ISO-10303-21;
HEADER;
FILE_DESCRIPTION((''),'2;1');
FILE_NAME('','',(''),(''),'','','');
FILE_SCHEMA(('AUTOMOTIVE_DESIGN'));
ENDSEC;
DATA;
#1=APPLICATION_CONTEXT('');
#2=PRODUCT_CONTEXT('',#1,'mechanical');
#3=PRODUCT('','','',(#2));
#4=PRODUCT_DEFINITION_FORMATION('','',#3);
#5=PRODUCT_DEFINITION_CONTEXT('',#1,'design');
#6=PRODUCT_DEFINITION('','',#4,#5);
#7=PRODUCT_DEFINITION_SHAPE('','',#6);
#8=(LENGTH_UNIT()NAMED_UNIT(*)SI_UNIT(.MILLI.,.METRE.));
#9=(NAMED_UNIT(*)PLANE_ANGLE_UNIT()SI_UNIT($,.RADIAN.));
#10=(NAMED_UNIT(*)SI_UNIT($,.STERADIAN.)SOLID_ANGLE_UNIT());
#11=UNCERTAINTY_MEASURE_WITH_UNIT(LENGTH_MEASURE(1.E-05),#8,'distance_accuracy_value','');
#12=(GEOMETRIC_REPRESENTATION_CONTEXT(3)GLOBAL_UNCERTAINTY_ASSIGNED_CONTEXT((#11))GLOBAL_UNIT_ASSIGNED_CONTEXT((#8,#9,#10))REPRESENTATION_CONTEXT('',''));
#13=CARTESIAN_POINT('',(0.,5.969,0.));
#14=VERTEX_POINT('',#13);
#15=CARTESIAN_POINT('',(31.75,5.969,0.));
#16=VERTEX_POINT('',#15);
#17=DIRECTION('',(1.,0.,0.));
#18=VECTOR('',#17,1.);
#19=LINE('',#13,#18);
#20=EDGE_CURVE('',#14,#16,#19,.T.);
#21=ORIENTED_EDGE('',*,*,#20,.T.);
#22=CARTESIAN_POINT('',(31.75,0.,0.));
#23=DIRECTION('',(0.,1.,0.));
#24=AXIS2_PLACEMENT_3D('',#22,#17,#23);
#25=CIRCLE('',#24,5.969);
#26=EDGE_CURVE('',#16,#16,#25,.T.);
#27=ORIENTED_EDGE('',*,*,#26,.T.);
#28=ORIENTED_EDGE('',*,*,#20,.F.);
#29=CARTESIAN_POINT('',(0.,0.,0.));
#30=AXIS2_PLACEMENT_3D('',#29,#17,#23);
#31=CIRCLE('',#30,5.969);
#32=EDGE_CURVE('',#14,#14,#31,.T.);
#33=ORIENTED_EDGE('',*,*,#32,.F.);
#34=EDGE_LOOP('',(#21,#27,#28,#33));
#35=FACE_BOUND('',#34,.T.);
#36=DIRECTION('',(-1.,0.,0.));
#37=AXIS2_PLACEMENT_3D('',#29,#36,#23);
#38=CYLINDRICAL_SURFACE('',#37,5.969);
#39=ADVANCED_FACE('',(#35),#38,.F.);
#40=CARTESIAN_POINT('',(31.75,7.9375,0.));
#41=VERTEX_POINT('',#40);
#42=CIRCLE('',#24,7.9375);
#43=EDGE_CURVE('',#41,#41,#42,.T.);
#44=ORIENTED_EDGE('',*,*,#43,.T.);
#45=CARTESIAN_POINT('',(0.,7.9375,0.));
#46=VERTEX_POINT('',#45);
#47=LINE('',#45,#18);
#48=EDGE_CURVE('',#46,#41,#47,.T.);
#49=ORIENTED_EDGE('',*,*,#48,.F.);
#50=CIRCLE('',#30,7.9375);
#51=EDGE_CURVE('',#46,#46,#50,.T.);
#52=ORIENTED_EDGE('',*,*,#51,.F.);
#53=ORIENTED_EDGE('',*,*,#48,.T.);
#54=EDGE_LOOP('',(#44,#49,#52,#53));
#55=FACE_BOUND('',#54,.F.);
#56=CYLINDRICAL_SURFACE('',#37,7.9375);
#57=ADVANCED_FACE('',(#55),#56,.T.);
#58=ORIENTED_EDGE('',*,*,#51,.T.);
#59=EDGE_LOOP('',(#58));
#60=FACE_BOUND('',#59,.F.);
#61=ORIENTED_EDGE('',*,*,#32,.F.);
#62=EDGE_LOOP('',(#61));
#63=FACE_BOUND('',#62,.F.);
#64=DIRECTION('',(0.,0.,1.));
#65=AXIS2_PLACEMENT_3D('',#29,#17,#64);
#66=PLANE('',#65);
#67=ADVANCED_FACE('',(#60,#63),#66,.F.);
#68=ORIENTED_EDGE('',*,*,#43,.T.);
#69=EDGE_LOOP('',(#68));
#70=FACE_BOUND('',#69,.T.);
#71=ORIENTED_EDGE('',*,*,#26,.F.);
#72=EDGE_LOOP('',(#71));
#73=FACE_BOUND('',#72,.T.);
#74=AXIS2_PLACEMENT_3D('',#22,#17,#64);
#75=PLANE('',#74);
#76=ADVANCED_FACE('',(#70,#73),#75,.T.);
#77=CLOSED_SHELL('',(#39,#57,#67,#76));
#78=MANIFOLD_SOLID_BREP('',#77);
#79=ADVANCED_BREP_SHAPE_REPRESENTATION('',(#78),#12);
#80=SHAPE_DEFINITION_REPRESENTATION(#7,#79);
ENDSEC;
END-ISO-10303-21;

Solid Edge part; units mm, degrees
sketch "Sketch1" plane through (0, 0, 0) normal (1, 0, 0) x (0, 1, 0)
  circle A0 centre (0, 0) radius 5.969
  circle A1 centre (0, 0) radius 7.9375
  dimension "D1" = 15.875
  dimension "D2" = 11.938
extrude "Protrusion1" add sketch "Sketch1" along normal blind 31.75
